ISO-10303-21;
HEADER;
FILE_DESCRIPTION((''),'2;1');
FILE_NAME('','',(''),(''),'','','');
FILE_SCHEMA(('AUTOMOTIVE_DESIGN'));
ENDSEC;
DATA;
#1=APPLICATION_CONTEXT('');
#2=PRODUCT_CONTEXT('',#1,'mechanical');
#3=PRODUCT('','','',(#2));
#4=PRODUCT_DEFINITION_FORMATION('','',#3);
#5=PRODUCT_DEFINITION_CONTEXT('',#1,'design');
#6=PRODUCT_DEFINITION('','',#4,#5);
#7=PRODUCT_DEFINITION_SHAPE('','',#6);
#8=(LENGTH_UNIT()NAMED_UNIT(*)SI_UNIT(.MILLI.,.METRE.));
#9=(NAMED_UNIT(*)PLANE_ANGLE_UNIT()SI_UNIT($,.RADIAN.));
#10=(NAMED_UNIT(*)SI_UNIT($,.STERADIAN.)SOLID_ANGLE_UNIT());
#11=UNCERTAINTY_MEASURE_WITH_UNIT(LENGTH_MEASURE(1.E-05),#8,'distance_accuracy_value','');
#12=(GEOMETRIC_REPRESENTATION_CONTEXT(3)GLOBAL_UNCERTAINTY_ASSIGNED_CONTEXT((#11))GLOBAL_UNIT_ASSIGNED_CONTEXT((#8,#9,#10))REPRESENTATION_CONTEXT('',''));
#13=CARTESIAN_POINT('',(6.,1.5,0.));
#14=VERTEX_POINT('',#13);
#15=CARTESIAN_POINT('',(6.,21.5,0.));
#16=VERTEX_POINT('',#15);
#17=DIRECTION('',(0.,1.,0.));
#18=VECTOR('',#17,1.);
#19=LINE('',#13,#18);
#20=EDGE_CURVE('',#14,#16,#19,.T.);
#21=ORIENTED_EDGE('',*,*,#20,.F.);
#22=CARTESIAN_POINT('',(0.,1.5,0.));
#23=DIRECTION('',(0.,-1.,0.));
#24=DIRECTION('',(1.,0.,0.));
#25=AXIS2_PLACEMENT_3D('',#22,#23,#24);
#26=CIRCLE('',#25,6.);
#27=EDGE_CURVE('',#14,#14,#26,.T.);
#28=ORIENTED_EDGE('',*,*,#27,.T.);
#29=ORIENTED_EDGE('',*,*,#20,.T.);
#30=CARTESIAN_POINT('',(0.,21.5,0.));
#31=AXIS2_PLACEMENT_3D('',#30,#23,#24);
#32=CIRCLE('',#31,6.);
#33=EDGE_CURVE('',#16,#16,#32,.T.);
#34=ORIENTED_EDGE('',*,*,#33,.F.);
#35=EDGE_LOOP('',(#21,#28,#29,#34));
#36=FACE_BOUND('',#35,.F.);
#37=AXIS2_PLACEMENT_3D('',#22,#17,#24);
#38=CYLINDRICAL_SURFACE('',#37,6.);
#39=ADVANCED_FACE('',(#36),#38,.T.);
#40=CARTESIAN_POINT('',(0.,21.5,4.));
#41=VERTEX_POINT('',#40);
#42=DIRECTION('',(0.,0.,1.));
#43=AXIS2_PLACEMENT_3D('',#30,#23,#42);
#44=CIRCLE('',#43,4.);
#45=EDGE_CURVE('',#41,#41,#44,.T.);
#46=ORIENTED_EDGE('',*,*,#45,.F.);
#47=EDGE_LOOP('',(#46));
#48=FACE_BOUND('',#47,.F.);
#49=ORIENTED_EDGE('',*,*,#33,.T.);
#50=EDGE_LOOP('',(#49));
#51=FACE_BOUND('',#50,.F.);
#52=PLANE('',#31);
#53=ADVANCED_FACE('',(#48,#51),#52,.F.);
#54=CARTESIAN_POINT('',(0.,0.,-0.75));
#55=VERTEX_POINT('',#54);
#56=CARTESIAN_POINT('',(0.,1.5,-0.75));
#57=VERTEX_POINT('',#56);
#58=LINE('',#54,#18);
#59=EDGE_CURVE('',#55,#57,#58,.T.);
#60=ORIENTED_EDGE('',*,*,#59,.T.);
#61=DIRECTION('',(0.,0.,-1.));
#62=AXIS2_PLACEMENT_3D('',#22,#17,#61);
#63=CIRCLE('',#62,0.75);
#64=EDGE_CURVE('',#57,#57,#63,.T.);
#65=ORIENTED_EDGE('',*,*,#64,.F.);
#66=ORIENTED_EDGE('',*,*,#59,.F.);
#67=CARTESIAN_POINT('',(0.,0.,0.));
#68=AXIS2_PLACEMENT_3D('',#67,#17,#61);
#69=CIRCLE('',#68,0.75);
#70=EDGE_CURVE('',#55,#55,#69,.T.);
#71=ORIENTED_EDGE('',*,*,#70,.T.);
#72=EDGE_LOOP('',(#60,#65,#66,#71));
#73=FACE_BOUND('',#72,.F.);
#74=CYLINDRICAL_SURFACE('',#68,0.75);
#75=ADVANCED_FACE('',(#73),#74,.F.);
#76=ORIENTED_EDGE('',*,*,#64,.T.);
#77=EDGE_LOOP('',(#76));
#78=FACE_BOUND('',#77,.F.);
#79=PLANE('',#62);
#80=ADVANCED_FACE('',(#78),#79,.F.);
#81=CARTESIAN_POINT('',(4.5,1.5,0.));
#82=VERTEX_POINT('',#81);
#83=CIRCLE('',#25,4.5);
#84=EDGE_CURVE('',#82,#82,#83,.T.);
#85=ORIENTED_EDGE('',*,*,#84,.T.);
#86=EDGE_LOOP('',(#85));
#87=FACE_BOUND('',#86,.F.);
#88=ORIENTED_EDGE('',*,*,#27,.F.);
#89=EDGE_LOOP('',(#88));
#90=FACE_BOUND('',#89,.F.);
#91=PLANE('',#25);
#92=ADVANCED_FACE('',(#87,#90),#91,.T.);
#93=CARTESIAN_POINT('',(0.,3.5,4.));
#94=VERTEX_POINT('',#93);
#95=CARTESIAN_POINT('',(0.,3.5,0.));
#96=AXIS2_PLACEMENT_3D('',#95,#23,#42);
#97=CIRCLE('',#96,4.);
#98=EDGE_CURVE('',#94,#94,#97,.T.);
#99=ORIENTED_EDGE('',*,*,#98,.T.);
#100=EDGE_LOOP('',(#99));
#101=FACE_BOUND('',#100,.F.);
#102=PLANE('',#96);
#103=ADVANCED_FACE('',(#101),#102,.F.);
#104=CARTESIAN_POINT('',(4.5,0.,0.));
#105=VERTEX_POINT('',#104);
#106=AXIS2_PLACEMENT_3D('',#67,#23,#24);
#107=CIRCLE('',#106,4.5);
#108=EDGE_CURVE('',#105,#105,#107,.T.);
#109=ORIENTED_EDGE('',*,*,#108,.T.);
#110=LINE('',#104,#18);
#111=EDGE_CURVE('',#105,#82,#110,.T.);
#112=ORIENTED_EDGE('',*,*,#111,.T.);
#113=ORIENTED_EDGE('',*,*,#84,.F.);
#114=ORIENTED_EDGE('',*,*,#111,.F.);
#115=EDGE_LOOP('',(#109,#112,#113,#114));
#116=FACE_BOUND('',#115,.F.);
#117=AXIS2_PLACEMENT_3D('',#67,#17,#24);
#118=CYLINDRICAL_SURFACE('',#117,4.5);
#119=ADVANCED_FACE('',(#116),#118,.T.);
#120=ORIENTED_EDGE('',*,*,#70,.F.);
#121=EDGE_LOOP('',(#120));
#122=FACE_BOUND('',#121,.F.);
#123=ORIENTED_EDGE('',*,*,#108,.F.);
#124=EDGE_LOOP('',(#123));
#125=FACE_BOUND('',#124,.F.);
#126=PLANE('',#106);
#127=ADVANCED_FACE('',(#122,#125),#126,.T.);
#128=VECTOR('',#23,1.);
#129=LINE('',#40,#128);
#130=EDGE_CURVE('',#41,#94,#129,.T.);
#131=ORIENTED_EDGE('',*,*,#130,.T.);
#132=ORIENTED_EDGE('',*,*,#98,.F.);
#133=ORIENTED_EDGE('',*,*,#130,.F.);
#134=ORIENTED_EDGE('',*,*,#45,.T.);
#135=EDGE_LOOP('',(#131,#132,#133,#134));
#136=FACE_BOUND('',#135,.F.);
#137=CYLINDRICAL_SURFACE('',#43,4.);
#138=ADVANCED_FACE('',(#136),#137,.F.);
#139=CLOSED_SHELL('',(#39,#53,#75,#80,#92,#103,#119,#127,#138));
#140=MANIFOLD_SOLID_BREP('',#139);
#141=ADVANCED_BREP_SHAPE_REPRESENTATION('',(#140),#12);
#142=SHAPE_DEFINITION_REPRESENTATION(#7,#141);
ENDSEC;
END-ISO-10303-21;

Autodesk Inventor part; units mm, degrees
ref_plane "YZ Plane" through (0, 0, 0) normal (1, 0, 0) x (0, 1, 0)
ref_plane "XZ Plane" through (0, 0, 0) normal (0, 1, 0) x (-1, 0, 0)
ref_plane "XY Plane" through (0, 0, 0) normal (0, 0, 1) x (1, 0, 0)
sketch "Skizze2" plane through (0, 0, 0) normal (0, 0, 1) x (1, 0, 0)
  line L0 (0, 0) -> (4.5, 0)
  line L1 (4.5, 0) -> (4.5, 1.5)
  line L2 (4.5, 1.5) -> (6, 1.5)
  line L3 (6, 1.5) -> (6, 21.5)
  line L4 (6, 21.5) -> (0, 21.5)
  line L5 (0, 21.5) -> (0, 0)
  point P0 (2.25, 0)
  point P1 (5.25, 1.5)
  dimension "d1" = 21.5
  dimension "d2" = 1.5
  dimension "d3" = 12
  dimension "d4" = 9
revolve "Umdrehung1" add sketch "Skizze2" angle 360 about axis through (0, 21.5, 0) along (0, -1, 0)
sketch "Skizze3" plane through (0, 21.5, 0) normal (0, 1, 0) x (1, 0, 0)
  circle A0 centre (0, 0) radius 6 projected
hole "Bohrung1" at (0, 21.5, 0) direction (0, -1, 0) diameter 8 depth 18
sketch "Sketch4" plane through (0, 0, 0) normal (0, -1, 0) x (1, 0, 0)
  circle A0 centre (0, 0) radius 4.5 projected
hole "Hole2" at (0, 0, 0) direction (0, 1, 0) diameter 1.5 depth 1.5
properties part number "153 part 1" material "Gold"
